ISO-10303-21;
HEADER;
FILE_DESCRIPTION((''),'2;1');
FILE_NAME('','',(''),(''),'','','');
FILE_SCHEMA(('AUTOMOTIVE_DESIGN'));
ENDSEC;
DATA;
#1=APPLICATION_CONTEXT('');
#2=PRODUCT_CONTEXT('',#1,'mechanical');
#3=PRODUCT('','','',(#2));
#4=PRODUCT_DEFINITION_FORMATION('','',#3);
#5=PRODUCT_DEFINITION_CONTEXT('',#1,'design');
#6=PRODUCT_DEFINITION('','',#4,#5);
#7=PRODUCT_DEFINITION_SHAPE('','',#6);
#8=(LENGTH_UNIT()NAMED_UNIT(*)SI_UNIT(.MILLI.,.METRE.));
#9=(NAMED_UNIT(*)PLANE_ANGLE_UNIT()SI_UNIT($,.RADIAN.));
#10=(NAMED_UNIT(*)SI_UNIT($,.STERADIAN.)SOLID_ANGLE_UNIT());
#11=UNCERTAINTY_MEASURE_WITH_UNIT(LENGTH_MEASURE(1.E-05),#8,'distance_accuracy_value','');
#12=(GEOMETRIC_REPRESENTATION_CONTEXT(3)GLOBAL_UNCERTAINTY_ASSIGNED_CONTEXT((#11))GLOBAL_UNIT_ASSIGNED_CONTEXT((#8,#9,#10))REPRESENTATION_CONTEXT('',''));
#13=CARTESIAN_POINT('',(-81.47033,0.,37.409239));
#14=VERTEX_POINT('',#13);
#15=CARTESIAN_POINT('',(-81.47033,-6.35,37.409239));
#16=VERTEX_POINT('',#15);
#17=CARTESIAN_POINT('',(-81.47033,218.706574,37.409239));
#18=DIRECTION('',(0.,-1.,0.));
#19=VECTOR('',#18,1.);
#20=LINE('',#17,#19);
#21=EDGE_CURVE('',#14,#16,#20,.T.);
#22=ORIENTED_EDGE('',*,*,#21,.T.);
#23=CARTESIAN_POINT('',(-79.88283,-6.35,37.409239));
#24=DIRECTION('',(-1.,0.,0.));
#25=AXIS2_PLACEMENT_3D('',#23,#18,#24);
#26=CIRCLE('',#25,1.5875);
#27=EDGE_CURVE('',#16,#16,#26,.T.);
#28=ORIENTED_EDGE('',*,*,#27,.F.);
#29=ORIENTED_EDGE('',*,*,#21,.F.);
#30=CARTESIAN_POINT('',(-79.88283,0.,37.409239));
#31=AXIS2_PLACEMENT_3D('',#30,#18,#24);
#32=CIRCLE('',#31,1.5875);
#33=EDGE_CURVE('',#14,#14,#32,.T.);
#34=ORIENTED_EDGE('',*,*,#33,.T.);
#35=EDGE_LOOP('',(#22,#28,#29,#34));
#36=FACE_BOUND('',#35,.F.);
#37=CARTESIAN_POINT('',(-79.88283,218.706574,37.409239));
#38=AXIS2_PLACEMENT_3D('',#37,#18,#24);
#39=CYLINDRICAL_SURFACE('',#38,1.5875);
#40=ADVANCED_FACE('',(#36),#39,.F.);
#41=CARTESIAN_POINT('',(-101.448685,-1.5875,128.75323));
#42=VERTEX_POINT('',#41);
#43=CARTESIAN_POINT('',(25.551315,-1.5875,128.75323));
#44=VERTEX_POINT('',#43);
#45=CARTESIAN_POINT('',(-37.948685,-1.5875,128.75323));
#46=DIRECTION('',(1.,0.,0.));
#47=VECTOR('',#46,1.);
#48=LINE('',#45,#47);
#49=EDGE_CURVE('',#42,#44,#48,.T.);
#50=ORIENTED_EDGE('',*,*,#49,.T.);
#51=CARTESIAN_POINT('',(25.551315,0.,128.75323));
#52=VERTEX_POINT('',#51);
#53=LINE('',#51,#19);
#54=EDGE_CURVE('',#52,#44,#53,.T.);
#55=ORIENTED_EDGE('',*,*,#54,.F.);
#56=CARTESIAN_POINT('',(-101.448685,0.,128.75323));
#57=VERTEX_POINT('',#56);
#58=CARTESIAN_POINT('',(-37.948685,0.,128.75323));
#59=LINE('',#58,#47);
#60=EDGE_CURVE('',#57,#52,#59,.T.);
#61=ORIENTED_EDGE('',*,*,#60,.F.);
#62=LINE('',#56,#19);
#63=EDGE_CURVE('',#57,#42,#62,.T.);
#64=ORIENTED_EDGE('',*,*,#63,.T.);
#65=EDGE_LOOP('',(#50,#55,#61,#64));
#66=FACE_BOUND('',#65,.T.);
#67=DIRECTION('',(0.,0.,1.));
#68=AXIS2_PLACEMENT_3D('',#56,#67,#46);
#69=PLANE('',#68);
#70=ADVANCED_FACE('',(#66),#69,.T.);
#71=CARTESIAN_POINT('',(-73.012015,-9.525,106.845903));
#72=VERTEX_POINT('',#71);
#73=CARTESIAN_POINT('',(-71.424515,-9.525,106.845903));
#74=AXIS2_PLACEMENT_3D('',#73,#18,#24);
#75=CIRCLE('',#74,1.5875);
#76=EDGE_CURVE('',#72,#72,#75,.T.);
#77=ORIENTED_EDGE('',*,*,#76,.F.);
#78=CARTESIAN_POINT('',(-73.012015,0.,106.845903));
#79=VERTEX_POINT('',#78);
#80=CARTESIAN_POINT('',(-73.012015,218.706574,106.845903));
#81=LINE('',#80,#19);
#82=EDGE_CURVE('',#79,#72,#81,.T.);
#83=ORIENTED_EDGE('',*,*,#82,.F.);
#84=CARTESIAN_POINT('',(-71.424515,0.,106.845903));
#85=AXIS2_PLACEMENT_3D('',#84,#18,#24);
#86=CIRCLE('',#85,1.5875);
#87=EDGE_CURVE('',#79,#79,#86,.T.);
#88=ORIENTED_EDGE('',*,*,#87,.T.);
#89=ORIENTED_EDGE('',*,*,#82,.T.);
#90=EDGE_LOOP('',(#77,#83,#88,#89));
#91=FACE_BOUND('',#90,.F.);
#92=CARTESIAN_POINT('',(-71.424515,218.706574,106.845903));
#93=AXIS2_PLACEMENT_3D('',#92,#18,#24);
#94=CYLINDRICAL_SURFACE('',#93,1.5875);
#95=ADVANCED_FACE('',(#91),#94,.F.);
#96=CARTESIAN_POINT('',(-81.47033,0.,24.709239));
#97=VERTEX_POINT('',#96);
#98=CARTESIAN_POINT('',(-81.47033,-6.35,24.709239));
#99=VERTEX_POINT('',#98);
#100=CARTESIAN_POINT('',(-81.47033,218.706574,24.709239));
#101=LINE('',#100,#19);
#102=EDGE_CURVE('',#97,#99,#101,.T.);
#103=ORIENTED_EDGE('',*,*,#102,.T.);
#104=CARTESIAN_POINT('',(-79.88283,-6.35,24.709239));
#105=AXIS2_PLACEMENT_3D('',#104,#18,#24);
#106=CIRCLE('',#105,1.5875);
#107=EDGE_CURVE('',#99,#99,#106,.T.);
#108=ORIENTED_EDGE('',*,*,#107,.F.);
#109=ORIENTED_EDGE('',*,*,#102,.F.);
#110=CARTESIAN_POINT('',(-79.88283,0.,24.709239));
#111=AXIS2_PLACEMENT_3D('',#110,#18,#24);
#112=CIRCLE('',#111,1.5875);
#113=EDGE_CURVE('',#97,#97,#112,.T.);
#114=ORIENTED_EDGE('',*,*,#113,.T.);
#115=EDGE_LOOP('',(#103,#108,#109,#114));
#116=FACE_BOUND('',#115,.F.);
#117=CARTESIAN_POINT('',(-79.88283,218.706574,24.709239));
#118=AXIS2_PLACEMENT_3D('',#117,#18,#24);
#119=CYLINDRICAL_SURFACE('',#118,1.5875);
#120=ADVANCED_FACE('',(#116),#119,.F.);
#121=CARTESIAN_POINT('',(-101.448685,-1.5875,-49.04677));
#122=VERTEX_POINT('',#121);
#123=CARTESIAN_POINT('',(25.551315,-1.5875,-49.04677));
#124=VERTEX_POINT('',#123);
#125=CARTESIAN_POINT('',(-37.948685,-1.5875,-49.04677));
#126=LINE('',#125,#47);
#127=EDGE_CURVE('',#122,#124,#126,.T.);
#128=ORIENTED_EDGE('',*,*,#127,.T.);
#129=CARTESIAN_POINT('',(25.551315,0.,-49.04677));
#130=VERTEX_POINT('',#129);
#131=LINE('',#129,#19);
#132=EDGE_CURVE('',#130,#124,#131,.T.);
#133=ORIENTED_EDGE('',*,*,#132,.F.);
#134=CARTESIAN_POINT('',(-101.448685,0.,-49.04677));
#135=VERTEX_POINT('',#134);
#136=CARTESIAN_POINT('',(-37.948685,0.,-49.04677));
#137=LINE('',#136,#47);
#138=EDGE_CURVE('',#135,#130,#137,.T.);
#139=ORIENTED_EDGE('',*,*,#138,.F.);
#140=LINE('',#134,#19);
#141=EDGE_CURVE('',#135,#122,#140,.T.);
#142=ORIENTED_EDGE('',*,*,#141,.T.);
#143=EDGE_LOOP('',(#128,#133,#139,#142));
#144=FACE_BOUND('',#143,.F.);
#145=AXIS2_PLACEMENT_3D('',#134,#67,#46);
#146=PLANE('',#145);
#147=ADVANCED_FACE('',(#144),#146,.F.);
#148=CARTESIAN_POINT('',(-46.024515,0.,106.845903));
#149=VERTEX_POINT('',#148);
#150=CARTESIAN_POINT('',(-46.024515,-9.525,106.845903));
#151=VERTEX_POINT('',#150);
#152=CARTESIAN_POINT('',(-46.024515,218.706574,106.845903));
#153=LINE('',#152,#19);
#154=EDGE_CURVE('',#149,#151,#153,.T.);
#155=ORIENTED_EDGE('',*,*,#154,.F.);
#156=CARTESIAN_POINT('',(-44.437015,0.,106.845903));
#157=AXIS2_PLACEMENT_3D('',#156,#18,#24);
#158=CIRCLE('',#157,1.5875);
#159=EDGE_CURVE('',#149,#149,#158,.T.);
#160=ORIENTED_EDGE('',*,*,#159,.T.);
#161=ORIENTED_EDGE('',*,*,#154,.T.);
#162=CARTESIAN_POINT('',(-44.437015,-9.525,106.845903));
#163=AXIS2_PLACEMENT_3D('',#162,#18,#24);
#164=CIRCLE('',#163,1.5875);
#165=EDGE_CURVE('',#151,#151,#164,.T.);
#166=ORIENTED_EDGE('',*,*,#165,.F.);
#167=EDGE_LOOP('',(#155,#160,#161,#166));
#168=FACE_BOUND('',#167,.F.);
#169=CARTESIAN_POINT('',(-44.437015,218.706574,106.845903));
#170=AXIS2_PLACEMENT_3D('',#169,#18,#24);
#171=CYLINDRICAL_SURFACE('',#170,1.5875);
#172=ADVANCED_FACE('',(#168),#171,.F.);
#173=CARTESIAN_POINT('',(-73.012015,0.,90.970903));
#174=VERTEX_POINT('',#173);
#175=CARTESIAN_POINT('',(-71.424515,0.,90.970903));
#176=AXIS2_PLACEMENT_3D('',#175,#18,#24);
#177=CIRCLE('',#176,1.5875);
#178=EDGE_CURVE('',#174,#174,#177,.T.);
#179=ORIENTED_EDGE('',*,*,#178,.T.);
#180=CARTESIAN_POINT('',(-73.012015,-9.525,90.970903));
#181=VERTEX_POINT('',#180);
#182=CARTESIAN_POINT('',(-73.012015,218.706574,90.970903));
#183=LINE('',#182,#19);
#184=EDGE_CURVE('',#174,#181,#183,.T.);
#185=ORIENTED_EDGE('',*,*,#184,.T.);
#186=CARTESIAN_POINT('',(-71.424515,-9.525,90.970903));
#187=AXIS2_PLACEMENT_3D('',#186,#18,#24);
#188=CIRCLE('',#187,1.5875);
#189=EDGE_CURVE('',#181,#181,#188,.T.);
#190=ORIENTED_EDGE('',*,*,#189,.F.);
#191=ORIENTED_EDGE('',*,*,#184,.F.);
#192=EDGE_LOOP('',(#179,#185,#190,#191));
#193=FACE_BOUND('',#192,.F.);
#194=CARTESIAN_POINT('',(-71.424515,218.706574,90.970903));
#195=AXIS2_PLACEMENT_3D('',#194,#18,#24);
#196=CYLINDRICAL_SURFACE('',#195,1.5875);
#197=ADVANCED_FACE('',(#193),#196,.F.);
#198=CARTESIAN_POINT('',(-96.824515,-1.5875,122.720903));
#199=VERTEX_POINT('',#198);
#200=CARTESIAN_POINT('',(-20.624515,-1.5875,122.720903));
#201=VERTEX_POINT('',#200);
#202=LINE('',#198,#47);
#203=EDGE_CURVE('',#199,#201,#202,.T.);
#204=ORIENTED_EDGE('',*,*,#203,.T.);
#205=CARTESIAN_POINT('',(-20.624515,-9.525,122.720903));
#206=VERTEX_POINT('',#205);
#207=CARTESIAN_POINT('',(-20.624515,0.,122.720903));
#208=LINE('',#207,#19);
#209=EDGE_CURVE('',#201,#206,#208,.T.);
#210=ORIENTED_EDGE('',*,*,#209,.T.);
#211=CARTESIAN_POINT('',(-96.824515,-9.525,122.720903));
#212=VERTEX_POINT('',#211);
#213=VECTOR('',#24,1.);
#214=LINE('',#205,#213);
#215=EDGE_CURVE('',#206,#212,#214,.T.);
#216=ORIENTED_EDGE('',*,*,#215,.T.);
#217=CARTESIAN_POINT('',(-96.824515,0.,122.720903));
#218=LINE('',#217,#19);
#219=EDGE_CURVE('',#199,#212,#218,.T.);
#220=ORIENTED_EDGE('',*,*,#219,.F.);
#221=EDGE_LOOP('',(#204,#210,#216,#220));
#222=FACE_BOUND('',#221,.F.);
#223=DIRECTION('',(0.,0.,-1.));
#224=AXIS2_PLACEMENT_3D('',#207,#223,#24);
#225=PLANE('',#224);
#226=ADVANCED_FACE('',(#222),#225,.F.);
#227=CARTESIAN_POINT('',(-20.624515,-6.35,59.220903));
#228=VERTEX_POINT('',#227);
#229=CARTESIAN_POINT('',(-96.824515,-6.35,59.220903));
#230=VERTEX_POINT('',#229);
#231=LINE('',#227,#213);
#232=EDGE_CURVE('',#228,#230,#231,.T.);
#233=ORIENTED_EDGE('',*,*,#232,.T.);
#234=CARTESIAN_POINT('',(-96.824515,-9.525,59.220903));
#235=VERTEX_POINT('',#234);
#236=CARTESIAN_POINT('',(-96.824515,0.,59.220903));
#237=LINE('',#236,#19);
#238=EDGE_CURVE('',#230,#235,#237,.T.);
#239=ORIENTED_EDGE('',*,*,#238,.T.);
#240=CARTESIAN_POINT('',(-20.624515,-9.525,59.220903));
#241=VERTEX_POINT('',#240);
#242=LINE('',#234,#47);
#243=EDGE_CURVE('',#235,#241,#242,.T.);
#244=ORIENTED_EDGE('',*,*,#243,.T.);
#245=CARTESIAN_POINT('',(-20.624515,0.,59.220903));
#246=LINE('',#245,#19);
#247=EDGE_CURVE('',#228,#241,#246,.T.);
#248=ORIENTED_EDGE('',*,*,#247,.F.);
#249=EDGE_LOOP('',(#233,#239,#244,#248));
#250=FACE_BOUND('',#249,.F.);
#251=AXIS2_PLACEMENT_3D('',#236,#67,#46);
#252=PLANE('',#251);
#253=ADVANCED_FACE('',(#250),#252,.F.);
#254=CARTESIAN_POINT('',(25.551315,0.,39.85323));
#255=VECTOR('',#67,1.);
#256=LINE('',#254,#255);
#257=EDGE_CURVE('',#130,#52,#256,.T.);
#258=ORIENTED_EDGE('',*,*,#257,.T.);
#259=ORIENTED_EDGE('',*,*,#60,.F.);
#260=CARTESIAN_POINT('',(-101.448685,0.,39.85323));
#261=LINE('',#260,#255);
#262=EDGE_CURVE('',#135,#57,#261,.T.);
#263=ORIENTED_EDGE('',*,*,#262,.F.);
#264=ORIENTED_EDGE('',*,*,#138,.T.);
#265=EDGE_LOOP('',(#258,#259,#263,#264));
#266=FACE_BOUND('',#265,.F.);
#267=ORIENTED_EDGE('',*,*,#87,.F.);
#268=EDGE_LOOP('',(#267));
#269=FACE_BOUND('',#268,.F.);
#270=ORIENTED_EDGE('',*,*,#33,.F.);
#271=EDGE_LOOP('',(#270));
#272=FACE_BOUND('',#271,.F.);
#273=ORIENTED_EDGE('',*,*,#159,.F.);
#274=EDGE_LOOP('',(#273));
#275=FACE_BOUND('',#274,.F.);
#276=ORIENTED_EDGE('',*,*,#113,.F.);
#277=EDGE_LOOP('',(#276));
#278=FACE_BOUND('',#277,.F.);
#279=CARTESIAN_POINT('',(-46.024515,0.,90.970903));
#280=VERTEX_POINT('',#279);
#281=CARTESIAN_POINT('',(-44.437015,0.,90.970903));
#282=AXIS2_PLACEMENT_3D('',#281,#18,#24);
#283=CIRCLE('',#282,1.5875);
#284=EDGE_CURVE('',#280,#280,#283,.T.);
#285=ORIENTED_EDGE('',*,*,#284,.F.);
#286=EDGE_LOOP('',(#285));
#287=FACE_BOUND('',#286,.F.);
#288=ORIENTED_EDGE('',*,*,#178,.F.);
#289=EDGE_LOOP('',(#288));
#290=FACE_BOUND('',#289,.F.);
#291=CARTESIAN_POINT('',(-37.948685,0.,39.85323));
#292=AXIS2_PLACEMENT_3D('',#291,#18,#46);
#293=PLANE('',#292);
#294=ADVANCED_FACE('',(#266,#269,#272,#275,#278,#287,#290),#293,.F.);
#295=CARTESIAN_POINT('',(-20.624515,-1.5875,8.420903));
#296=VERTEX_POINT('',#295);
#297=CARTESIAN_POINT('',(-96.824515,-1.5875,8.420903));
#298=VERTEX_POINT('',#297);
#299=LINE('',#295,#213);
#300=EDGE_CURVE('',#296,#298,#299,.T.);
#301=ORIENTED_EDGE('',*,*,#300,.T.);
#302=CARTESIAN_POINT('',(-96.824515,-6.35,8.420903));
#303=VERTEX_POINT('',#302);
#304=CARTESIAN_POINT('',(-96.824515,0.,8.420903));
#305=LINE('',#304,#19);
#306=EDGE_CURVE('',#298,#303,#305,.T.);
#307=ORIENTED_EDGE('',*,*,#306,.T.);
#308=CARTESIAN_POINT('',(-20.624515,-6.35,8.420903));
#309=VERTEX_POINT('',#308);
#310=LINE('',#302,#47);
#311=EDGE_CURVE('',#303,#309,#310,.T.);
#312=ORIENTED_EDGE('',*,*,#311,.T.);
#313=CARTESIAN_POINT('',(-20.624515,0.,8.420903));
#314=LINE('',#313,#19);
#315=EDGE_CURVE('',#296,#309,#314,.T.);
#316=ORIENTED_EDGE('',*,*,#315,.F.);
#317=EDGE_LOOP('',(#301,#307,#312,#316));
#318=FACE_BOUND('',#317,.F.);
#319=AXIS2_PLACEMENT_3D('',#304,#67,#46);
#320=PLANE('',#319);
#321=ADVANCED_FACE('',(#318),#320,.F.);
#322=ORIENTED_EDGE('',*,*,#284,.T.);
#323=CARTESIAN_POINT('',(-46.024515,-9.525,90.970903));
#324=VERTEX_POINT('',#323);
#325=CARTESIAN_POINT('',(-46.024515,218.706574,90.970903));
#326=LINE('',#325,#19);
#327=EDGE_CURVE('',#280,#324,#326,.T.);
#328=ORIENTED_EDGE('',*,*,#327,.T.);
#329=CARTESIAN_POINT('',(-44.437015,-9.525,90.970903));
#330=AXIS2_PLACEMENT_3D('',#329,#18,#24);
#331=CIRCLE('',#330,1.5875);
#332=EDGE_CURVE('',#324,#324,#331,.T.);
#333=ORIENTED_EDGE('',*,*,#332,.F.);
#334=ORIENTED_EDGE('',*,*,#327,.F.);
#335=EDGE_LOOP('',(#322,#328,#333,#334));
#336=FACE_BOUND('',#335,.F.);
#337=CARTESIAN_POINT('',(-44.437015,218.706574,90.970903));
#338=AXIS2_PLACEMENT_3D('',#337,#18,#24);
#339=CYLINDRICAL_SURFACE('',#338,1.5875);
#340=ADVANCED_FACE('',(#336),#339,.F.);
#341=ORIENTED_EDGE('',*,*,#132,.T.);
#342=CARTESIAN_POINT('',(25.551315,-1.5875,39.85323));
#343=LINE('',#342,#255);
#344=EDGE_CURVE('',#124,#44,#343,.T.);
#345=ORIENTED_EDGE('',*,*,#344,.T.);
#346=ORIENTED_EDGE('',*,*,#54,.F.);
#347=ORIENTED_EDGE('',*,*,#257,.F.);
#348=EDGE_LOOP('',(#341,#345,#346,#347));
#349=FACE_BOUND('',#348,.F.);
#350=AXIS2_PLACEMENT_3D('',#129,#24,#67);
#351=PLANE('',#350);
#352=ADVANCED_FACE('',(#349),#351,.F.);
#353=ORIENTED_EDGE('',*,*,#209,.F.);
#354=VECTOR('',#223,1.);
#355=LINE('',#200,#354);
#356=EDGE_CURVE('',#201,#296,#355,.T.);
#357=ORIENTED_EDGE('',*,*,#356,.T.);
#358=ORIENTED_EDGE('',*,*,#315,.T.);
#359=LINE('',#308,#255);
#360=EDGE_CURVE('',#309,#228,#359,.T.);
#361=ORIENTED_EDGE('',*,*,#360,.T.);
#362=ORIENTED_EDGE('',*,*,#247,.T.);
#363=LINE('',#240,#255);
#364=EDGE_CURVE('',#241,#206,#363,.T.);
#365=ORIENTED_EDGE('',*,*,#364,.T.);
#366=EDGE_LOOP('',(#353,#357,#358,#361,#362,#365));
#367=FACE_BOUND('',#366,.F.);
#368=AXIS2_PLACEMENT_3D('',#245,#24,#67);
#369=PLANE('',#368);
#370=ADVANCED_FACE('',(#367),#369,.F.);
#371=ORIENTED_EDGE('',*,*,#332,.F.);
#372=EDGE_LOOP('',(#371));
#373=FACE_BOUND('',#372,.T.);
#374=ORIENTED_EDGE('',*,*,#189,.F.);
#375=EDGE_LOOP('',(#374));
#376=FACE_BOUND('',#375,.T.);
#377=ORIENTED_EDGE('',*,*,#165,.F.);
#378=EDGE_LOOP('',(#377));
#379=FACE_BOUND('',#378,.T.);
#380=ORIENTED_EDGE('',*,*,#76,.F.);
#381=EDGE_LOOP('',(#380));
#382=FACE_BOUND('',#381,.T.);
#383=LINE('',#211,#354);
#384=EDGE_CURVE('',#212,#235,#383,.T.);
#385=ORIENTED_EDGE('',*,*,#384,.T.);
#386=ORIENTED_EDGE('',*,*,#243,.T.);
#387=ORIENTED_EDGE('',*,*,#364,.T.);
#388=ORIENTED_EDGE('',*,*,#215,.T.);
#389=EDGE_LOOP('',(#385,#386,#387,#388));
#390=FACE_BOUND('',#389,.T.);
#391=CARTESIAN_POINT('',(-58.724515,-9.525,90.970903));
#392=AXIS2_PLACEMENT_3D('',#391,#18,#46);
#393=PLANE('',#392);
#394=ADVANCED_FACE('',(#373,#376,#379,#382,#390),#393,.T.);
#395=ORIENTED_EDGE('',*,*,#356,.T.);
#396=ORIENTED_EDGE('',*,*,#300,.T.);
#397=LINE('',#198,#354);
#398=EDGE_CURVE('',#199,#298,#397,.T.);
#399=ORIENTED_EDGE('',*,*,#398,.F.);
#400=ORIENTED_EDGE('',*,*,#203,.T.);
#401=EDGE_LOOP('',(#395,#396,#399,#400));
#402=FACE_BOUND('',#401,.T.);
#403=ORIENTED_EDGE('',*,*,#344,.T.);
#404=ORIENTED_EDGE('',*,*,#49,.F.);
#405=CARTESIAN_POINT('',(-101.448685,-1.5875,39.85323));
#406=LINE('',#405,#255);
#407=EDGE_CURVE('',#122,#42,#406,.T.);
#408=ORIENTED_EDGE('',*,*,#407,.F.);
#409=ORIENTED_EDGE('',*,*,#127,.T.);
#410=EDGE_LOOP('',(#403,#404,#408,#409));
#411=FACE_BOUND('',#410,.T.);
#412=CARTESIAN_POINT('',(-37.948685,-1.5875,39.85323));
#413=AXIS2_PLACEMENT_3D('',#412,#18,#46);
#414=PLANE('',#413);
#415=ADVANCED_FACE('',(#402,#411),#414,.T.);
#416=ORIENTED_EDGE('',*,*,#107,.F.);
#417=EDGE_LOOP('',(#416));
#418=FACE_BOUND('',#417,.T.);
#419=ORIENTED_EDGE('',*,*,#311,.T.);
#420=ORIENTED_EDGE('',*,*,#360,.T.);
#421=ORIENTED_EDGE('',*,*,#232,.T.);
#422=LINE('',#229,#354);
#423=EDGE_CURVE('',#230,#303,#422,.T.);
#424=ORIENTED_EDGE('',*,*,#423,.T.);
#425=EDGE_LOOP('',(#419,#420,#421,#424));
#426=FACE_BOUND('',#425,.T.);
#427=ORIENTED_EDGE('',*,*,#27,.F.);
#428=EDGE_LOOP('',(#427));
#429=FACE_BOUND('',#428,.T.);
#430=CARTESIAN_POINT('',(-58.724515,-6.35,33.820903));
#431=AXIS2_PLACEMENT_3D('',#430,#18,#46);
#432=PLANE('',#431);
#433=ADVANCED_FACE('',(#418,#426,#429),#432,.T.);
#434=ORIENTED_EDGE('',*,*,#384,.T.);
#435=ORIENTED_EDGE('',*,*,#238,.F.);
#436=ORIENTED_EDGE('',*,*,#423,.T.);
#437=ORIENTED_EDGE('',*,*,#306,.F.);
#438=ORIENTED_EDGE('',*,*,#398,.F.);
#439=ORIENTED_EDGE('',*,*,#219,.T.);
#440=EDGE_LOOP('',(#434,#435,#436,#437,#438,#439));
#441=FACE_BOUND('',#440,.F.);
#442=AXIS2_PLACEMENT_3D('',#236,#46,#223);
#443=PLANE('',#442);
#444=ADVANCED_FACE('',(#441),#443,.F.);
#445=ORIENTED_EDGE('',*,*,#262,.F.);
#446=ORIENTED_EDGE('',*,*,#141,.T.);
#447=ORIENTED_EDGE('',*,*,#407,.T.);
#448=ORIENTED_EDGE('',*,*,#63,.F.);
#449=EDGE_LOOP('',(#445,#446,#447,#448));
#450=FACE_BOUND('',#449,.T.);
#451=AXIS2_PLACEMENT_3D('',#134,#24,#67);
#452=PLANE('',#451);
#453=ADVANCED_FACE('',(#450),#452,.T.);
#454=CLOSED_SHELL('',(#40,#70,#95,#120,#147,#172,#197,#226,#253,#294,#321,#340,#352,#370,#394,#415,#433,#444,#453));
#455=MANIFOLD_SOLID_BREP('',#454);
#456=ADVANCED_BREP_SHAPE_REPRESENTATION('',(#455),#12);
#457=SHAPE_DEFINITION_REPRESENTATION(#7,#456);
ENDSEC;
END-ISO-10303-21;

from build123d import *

# Parameters (mm, degrees)
F0_W     = 127
F0_H     = 177.8
F1_DEPTH = 1.5875
F2_DEPTH = 9.525
F3_DEPTH = 6.35
F4_D     = 3.175


with BuildPart() as f1:
    # F0 (on Front) → F1 (new body)
    with BuildSketch(Plane.XZ):
        with Locations((-37.948684603, 39.8532302618)):
            Rectangle(F0_W, F0_H)
        Polygon((-96.8245146513, 59.2209026217), (-96.8245146513, 122.7209026217), (-20.6245146513, 122.7209026217), (-20.6245146513, 59.2209026217), (-20.6245146513, 8.4209026217), (-96.8245146513, 8.4209026217), align=None, mode=Mode.SUBTRACT)
    extrude(amount=F1_DEPTH)

    # F0 (on Front) → F2 (join)
    with BuildSketch(Plane.XZ):
        Polygon((-20.6245146513, 122.7209026217), (-96.8245146513, 122.7209026217), (-96.8245146513, 59.2209026217), (-58.7245146513, 59.2209026217), (-20.6245146513, 59.2209026217), align=None)
    extrude(amount=F2_DEPTH)

    # F0 (on Front) → F3 (join)
    with BuildSketch(Plane.XZ):
        Polygon((-58.7245146513, 59.2209026217), (-96.8245146513, 59.2209026217), (-96.8245146513, 8.4209026217), (-20.6245146513, 8.4209026217), (-20.6245146513, 59.2209026217), align=None)
        Polygon((-85.7120146513, 43.1527666092), (-58.7245146513, 43.1527666092), (-31.7370146513, 43.1527666092), (-31.7370146513, 17.7527666092), (-85.7120146513, 17.7527666092), align=None, mode=Mode.SUBTRACT)
        Polygon((-31.7370146513, 43.1527666092), (-58.7245146513, 43.1527666092), (-85.7120146513, 43.1527666092), (-85.7120146513, 17.7527666092), (-31.7370146513, 17.7527666092), align=None)
    extrude(amount=F3_DEPTH)

    # F4 (through all)
    with Locations(Plane(origin=(0, 0, 0), x_dir=(1, 0, 0), z_dir=(0, 1, 0))):
        with Locations((-71.4245146513, -106.8459026217), (-44.4370146513, -106.8459026217), (-44.4370146513, -90.9709026217), (-71.4245146513, -90.9709026217), (-79.8828303814, -37.4092385173), (-79.8828303814, -24.7092385173)):
            Hole(F4_D / 2)


solid = f1.part
